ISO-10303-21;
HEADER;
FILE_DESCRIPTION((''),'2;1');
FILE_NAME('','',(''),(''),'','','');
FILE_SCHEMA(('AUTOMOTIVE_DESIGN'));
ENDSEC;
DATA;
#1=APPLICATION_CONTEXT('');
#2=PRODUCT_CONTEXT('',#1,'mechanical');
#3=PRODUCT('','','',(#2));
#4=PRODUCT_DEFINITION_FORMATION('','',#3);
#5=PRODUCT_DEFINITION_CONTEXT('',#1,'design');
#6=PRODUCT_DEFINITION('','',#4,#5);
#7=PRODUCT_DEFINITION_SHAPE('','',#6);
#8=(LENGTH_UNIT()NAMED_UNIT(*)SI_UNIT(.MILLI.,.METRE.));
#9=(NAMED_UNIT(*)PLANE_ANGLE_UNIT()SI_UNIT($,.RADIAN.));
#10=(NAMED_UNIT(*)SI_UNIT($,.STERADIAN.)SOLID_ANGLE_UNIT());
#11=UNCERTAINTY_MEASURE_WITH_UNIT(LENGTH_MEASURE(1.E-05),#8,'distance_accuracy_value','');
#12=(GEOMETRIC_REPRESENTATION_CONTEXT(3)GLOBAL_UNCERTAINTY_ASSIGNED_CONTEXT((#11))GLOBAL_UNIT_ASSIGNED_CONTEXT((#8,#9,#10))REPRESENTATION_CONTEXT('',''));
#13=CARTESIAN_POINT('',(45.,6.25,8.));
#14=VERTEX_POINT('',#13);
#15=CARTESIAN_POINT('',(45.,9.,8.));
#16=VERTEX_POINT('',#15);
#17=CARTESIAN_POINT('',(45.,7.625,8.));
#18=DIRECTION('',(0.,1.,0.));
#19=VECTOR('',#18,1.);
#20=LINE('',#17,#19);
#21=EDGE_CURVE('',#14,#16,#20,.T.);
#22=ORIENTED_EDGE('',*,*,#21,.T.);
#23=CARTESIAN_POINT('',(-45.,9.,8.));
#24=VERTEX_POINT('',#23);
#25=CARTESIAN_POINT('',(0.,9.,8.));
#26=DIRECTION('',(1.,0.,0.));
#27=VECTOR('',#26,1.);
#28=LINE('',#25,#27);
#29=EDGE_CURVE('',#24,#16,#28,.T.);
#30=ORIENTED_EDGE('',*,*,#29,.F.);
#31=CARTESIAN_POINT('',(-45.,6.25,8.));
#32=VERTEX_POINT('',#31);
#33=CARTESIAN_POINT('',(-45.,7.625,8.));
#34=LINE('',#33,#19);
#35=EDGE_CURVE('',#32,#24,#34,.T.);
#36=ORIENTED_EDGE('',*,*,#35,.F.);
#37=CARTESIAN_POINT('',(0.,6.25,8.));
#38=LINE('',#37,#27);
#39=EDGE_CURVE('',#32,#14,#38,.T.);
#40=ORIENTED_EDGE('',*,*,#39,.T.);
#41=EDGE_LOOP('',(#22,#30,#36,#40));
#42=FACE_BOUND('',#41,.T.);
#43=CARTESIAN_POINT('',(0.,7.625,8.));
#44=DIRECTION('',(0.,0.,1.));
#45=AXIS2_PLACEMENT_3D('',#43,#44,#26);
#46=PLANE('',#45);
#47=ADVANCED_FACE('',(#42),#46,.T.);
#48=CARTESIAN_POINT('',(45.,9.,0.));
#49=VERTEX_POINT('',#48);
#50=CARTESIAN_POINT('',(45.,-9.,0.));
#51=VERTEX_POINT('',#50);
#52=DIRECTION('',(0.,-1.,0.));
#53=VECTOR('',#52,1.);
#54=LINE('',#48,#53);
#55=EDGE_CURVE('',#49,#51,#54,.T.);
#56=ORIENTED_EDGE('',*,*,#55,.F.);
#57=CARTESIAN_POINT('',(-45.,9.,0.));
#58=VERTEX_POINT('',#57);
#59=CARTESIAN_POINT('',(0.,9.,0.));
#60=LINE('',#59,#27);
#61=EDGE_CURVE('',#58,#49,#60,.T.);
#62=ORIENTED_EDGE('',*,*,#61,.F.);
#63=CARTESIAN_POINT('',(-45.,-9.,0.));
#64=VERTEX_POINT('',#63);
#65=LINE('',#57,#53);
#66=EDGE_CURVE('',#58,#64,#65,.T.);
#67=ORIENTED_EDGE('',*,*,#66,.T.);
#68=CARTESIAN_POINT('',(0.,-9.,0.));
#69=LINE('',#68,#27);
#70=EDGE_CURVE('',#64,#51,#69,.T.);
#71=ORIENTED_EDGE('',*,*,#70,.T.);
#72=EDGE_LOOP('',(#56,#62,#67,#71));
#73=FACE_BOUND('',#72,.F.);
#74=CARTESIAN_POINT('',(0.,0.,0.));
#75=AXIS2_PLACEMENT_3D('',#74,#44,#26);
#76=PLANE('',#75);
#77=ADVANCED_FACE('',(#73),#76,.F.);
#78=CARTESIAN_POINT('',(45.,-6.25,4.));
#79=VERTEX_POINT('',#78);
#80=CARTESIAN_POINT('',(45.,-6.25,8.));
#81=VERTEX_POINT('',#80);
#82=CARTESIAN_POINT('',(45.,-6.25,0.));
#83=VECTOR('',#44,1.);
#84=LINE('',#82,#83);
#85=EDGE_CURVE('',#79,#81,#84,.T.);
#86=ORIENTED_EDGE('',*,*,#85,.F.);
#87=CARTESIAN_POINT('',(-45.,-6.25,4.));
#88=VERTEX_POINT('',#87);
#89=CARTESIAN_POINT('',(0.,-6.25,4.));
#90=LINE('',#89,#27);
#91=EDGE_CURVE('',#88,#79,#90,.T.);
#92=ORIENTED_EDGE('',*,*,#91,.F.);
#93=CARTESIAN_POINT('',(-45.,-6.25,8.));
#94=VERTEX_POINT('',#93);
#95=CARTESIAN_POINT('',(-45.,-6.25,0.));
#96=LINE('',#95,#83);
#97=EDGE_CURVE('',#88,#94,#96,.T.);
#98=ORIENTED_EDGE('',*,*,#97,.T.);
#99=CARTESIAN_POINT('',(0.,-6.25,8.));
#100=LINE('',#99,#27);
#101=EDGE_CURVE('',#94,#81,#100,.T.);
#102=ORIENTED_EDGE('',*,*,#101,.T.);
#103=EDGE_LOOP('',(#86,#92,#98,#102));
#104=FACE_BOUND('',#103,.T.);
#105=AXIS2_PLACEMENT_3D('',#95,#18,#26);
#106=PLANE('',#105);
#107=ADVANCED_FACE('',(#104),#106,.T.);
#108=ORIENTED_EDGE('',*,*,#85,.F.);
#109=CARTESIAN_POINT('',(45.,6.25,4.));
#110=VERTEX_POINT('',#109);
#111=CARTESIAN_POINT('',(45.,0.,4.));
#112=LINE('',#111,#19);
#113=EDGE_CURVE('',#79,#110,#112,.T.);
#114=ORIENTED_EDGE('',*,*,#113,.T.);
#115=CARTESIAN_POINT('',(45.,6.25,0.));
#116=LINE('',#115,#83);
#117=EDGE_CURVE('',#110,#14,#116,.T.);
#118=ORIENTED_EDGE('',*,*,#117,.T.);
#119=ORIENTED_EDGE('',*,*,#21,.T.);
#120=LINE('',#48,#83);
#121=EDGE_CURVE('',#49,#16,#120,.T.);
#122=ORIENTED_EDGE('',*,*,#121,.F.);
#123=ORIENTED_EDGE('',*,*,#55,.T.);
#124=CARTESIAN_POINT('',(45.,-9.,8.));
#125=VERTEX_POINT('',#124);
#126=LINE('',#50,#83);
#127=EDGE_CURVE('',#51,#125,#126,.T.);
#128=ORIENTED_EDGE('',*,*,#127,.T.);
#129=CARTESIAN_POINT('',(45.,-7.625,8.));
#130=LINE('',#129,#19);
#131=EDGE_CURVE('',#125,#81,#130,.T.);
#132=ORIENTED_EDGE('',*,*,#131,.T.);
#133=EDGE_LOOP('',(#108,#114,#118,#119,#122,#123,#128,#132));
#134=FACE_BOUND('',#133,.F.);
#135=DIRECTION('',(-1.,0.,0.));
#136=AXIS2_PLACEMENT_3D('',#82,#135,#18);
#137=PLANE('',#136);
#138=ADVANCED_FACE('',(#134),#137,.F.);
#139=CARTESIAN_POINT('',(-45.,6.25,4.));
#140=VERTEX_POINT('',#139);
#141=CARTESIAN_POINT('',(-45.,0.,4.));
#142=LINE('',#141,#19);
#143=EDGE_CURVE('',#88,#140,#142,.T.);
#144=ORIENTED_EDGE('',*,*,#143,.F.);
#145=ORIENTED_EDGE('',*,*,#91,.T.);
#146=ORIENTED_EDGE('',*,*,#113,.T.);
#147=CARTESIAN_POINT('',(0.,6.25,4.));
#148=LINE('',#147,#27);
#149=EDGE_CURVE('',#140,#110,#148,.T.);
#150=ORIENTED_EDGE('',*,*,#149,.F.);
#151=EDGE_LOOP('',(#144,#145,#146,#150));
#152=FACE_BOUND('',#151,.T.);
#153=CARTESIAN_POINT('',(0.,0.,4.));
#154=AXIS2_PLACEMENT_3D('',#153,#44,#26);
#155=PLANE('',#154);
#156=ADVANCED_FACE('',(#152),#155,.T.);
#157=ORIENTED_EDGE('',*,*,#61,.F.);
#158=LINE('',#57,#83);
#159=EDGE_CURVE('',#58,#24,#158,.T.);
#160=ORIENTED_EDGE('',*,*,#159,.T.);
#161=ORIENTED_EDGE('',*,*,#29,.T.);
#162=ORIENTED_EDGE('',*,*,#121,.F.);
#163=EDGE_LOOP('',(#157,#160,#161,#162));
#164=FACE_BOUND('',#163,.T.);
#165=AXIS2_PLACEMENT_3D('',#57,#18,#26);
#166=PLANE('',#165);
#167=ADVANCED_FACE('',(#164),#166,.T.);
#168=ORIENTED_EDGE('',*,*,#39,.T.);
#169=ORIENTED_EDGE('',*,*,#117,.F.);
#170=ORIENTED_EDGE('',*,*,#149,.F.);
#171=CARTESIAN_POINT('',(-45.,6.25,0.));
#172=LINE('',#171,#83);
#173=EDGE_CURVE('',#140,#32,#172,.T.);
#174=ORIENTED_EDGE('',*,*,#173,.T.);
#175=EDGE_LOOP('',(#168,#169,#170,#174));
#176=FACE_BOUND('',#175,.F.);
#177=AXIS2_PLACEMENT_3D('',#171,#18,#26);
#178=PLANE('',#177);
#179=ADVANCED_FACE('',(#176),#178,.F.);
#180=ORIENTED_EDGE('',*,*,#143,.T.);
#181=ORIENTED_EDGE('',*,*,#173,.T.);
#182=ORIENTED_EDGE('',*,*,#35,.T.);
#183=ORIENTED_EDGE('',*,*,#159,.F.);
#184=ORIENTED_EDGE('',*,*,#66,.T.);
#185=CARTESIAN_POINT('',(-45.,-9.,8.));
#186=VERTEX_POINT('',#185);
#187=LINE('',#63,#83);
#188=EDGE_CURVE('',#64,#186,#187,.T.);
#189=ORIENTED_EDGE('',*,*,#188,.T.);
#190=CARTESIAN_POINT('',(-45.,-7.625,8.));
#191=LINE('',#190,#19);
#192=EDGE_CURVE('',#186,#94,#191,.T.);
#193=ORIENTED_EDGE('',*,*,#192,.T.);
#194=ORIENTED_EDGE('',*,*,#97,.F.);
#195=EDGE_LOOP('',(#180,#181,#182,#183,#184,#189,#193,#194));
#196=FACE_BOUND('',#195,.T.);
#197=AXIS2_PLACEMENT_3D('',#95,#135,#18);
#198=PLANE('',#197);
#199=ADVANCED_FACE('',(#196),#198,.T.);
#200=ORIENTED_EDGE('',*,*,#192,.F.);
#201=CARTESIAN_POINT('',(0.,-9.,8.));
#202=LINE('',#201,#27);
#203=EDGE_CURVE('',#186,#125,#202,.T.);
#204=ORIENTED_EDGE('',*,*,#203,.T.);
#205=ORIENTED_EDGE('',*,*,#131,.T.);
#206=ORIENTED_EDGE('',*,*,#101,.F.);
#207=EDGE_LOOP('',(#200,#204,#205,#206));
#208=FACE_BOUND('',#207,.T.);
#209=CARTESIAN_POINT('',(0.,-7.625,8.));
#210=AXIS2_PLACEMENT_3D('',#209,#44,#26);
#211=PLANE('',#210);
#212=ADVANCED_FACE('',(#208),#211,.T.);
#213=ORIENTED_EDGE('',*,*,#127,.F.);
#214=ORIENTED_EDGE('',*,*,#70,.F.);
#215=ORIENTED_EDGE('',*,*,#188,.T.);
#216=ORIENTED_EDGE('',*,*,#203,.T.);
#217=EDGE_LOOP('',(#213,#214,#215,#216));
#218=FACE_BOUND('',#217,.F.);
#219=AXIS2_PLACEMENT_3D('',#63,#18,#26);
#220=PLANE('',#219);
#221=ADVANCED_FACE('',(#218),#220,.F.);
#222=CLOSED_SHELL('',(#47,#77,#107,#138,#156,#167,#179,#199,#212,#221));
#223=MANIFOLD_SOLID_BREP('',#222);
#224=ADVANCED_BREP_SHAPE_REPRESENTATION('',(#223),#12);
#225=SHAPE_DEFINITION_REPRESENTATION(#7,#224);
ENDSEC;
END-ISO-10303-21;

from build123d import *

# Parameters (mm, degrees)
F0_W     = 90
F0_H     = 2.75
F1_DEPTH = 8
F0_H_2   = 12.5
F2_DEPTH = 4


with BuildPart() as f1:
    # F0 (on Top) → F1 (new body)
    with BuildSketch(Plane.XY):
        with Locations((0, 7.625)):
            Rectangle(F0_W, F0_H)
    extrude(amount=F1_DEPTH)



with BuildPart() as f1b:
    # F0 (on Top) → F1, piece 2 (new body)
    with BuildSketch(Plane.XY):
        with Locations((0, -7.625)):
            Rectangle(F0_W, F0_H)
    extrude(amount=F1_DEPTH)


with BuildPart() as f1_1:
    add(f1.part)

    add(f1b.part)  # F2 merges F1b
    # F0 (on Top) → F2 (join)
    with BuildSketch(Plane.XY):
        Rectangle(F0_W, F0_H_2)
    extrude(amount=F2_DEPTH)


solid = f1_1.part
